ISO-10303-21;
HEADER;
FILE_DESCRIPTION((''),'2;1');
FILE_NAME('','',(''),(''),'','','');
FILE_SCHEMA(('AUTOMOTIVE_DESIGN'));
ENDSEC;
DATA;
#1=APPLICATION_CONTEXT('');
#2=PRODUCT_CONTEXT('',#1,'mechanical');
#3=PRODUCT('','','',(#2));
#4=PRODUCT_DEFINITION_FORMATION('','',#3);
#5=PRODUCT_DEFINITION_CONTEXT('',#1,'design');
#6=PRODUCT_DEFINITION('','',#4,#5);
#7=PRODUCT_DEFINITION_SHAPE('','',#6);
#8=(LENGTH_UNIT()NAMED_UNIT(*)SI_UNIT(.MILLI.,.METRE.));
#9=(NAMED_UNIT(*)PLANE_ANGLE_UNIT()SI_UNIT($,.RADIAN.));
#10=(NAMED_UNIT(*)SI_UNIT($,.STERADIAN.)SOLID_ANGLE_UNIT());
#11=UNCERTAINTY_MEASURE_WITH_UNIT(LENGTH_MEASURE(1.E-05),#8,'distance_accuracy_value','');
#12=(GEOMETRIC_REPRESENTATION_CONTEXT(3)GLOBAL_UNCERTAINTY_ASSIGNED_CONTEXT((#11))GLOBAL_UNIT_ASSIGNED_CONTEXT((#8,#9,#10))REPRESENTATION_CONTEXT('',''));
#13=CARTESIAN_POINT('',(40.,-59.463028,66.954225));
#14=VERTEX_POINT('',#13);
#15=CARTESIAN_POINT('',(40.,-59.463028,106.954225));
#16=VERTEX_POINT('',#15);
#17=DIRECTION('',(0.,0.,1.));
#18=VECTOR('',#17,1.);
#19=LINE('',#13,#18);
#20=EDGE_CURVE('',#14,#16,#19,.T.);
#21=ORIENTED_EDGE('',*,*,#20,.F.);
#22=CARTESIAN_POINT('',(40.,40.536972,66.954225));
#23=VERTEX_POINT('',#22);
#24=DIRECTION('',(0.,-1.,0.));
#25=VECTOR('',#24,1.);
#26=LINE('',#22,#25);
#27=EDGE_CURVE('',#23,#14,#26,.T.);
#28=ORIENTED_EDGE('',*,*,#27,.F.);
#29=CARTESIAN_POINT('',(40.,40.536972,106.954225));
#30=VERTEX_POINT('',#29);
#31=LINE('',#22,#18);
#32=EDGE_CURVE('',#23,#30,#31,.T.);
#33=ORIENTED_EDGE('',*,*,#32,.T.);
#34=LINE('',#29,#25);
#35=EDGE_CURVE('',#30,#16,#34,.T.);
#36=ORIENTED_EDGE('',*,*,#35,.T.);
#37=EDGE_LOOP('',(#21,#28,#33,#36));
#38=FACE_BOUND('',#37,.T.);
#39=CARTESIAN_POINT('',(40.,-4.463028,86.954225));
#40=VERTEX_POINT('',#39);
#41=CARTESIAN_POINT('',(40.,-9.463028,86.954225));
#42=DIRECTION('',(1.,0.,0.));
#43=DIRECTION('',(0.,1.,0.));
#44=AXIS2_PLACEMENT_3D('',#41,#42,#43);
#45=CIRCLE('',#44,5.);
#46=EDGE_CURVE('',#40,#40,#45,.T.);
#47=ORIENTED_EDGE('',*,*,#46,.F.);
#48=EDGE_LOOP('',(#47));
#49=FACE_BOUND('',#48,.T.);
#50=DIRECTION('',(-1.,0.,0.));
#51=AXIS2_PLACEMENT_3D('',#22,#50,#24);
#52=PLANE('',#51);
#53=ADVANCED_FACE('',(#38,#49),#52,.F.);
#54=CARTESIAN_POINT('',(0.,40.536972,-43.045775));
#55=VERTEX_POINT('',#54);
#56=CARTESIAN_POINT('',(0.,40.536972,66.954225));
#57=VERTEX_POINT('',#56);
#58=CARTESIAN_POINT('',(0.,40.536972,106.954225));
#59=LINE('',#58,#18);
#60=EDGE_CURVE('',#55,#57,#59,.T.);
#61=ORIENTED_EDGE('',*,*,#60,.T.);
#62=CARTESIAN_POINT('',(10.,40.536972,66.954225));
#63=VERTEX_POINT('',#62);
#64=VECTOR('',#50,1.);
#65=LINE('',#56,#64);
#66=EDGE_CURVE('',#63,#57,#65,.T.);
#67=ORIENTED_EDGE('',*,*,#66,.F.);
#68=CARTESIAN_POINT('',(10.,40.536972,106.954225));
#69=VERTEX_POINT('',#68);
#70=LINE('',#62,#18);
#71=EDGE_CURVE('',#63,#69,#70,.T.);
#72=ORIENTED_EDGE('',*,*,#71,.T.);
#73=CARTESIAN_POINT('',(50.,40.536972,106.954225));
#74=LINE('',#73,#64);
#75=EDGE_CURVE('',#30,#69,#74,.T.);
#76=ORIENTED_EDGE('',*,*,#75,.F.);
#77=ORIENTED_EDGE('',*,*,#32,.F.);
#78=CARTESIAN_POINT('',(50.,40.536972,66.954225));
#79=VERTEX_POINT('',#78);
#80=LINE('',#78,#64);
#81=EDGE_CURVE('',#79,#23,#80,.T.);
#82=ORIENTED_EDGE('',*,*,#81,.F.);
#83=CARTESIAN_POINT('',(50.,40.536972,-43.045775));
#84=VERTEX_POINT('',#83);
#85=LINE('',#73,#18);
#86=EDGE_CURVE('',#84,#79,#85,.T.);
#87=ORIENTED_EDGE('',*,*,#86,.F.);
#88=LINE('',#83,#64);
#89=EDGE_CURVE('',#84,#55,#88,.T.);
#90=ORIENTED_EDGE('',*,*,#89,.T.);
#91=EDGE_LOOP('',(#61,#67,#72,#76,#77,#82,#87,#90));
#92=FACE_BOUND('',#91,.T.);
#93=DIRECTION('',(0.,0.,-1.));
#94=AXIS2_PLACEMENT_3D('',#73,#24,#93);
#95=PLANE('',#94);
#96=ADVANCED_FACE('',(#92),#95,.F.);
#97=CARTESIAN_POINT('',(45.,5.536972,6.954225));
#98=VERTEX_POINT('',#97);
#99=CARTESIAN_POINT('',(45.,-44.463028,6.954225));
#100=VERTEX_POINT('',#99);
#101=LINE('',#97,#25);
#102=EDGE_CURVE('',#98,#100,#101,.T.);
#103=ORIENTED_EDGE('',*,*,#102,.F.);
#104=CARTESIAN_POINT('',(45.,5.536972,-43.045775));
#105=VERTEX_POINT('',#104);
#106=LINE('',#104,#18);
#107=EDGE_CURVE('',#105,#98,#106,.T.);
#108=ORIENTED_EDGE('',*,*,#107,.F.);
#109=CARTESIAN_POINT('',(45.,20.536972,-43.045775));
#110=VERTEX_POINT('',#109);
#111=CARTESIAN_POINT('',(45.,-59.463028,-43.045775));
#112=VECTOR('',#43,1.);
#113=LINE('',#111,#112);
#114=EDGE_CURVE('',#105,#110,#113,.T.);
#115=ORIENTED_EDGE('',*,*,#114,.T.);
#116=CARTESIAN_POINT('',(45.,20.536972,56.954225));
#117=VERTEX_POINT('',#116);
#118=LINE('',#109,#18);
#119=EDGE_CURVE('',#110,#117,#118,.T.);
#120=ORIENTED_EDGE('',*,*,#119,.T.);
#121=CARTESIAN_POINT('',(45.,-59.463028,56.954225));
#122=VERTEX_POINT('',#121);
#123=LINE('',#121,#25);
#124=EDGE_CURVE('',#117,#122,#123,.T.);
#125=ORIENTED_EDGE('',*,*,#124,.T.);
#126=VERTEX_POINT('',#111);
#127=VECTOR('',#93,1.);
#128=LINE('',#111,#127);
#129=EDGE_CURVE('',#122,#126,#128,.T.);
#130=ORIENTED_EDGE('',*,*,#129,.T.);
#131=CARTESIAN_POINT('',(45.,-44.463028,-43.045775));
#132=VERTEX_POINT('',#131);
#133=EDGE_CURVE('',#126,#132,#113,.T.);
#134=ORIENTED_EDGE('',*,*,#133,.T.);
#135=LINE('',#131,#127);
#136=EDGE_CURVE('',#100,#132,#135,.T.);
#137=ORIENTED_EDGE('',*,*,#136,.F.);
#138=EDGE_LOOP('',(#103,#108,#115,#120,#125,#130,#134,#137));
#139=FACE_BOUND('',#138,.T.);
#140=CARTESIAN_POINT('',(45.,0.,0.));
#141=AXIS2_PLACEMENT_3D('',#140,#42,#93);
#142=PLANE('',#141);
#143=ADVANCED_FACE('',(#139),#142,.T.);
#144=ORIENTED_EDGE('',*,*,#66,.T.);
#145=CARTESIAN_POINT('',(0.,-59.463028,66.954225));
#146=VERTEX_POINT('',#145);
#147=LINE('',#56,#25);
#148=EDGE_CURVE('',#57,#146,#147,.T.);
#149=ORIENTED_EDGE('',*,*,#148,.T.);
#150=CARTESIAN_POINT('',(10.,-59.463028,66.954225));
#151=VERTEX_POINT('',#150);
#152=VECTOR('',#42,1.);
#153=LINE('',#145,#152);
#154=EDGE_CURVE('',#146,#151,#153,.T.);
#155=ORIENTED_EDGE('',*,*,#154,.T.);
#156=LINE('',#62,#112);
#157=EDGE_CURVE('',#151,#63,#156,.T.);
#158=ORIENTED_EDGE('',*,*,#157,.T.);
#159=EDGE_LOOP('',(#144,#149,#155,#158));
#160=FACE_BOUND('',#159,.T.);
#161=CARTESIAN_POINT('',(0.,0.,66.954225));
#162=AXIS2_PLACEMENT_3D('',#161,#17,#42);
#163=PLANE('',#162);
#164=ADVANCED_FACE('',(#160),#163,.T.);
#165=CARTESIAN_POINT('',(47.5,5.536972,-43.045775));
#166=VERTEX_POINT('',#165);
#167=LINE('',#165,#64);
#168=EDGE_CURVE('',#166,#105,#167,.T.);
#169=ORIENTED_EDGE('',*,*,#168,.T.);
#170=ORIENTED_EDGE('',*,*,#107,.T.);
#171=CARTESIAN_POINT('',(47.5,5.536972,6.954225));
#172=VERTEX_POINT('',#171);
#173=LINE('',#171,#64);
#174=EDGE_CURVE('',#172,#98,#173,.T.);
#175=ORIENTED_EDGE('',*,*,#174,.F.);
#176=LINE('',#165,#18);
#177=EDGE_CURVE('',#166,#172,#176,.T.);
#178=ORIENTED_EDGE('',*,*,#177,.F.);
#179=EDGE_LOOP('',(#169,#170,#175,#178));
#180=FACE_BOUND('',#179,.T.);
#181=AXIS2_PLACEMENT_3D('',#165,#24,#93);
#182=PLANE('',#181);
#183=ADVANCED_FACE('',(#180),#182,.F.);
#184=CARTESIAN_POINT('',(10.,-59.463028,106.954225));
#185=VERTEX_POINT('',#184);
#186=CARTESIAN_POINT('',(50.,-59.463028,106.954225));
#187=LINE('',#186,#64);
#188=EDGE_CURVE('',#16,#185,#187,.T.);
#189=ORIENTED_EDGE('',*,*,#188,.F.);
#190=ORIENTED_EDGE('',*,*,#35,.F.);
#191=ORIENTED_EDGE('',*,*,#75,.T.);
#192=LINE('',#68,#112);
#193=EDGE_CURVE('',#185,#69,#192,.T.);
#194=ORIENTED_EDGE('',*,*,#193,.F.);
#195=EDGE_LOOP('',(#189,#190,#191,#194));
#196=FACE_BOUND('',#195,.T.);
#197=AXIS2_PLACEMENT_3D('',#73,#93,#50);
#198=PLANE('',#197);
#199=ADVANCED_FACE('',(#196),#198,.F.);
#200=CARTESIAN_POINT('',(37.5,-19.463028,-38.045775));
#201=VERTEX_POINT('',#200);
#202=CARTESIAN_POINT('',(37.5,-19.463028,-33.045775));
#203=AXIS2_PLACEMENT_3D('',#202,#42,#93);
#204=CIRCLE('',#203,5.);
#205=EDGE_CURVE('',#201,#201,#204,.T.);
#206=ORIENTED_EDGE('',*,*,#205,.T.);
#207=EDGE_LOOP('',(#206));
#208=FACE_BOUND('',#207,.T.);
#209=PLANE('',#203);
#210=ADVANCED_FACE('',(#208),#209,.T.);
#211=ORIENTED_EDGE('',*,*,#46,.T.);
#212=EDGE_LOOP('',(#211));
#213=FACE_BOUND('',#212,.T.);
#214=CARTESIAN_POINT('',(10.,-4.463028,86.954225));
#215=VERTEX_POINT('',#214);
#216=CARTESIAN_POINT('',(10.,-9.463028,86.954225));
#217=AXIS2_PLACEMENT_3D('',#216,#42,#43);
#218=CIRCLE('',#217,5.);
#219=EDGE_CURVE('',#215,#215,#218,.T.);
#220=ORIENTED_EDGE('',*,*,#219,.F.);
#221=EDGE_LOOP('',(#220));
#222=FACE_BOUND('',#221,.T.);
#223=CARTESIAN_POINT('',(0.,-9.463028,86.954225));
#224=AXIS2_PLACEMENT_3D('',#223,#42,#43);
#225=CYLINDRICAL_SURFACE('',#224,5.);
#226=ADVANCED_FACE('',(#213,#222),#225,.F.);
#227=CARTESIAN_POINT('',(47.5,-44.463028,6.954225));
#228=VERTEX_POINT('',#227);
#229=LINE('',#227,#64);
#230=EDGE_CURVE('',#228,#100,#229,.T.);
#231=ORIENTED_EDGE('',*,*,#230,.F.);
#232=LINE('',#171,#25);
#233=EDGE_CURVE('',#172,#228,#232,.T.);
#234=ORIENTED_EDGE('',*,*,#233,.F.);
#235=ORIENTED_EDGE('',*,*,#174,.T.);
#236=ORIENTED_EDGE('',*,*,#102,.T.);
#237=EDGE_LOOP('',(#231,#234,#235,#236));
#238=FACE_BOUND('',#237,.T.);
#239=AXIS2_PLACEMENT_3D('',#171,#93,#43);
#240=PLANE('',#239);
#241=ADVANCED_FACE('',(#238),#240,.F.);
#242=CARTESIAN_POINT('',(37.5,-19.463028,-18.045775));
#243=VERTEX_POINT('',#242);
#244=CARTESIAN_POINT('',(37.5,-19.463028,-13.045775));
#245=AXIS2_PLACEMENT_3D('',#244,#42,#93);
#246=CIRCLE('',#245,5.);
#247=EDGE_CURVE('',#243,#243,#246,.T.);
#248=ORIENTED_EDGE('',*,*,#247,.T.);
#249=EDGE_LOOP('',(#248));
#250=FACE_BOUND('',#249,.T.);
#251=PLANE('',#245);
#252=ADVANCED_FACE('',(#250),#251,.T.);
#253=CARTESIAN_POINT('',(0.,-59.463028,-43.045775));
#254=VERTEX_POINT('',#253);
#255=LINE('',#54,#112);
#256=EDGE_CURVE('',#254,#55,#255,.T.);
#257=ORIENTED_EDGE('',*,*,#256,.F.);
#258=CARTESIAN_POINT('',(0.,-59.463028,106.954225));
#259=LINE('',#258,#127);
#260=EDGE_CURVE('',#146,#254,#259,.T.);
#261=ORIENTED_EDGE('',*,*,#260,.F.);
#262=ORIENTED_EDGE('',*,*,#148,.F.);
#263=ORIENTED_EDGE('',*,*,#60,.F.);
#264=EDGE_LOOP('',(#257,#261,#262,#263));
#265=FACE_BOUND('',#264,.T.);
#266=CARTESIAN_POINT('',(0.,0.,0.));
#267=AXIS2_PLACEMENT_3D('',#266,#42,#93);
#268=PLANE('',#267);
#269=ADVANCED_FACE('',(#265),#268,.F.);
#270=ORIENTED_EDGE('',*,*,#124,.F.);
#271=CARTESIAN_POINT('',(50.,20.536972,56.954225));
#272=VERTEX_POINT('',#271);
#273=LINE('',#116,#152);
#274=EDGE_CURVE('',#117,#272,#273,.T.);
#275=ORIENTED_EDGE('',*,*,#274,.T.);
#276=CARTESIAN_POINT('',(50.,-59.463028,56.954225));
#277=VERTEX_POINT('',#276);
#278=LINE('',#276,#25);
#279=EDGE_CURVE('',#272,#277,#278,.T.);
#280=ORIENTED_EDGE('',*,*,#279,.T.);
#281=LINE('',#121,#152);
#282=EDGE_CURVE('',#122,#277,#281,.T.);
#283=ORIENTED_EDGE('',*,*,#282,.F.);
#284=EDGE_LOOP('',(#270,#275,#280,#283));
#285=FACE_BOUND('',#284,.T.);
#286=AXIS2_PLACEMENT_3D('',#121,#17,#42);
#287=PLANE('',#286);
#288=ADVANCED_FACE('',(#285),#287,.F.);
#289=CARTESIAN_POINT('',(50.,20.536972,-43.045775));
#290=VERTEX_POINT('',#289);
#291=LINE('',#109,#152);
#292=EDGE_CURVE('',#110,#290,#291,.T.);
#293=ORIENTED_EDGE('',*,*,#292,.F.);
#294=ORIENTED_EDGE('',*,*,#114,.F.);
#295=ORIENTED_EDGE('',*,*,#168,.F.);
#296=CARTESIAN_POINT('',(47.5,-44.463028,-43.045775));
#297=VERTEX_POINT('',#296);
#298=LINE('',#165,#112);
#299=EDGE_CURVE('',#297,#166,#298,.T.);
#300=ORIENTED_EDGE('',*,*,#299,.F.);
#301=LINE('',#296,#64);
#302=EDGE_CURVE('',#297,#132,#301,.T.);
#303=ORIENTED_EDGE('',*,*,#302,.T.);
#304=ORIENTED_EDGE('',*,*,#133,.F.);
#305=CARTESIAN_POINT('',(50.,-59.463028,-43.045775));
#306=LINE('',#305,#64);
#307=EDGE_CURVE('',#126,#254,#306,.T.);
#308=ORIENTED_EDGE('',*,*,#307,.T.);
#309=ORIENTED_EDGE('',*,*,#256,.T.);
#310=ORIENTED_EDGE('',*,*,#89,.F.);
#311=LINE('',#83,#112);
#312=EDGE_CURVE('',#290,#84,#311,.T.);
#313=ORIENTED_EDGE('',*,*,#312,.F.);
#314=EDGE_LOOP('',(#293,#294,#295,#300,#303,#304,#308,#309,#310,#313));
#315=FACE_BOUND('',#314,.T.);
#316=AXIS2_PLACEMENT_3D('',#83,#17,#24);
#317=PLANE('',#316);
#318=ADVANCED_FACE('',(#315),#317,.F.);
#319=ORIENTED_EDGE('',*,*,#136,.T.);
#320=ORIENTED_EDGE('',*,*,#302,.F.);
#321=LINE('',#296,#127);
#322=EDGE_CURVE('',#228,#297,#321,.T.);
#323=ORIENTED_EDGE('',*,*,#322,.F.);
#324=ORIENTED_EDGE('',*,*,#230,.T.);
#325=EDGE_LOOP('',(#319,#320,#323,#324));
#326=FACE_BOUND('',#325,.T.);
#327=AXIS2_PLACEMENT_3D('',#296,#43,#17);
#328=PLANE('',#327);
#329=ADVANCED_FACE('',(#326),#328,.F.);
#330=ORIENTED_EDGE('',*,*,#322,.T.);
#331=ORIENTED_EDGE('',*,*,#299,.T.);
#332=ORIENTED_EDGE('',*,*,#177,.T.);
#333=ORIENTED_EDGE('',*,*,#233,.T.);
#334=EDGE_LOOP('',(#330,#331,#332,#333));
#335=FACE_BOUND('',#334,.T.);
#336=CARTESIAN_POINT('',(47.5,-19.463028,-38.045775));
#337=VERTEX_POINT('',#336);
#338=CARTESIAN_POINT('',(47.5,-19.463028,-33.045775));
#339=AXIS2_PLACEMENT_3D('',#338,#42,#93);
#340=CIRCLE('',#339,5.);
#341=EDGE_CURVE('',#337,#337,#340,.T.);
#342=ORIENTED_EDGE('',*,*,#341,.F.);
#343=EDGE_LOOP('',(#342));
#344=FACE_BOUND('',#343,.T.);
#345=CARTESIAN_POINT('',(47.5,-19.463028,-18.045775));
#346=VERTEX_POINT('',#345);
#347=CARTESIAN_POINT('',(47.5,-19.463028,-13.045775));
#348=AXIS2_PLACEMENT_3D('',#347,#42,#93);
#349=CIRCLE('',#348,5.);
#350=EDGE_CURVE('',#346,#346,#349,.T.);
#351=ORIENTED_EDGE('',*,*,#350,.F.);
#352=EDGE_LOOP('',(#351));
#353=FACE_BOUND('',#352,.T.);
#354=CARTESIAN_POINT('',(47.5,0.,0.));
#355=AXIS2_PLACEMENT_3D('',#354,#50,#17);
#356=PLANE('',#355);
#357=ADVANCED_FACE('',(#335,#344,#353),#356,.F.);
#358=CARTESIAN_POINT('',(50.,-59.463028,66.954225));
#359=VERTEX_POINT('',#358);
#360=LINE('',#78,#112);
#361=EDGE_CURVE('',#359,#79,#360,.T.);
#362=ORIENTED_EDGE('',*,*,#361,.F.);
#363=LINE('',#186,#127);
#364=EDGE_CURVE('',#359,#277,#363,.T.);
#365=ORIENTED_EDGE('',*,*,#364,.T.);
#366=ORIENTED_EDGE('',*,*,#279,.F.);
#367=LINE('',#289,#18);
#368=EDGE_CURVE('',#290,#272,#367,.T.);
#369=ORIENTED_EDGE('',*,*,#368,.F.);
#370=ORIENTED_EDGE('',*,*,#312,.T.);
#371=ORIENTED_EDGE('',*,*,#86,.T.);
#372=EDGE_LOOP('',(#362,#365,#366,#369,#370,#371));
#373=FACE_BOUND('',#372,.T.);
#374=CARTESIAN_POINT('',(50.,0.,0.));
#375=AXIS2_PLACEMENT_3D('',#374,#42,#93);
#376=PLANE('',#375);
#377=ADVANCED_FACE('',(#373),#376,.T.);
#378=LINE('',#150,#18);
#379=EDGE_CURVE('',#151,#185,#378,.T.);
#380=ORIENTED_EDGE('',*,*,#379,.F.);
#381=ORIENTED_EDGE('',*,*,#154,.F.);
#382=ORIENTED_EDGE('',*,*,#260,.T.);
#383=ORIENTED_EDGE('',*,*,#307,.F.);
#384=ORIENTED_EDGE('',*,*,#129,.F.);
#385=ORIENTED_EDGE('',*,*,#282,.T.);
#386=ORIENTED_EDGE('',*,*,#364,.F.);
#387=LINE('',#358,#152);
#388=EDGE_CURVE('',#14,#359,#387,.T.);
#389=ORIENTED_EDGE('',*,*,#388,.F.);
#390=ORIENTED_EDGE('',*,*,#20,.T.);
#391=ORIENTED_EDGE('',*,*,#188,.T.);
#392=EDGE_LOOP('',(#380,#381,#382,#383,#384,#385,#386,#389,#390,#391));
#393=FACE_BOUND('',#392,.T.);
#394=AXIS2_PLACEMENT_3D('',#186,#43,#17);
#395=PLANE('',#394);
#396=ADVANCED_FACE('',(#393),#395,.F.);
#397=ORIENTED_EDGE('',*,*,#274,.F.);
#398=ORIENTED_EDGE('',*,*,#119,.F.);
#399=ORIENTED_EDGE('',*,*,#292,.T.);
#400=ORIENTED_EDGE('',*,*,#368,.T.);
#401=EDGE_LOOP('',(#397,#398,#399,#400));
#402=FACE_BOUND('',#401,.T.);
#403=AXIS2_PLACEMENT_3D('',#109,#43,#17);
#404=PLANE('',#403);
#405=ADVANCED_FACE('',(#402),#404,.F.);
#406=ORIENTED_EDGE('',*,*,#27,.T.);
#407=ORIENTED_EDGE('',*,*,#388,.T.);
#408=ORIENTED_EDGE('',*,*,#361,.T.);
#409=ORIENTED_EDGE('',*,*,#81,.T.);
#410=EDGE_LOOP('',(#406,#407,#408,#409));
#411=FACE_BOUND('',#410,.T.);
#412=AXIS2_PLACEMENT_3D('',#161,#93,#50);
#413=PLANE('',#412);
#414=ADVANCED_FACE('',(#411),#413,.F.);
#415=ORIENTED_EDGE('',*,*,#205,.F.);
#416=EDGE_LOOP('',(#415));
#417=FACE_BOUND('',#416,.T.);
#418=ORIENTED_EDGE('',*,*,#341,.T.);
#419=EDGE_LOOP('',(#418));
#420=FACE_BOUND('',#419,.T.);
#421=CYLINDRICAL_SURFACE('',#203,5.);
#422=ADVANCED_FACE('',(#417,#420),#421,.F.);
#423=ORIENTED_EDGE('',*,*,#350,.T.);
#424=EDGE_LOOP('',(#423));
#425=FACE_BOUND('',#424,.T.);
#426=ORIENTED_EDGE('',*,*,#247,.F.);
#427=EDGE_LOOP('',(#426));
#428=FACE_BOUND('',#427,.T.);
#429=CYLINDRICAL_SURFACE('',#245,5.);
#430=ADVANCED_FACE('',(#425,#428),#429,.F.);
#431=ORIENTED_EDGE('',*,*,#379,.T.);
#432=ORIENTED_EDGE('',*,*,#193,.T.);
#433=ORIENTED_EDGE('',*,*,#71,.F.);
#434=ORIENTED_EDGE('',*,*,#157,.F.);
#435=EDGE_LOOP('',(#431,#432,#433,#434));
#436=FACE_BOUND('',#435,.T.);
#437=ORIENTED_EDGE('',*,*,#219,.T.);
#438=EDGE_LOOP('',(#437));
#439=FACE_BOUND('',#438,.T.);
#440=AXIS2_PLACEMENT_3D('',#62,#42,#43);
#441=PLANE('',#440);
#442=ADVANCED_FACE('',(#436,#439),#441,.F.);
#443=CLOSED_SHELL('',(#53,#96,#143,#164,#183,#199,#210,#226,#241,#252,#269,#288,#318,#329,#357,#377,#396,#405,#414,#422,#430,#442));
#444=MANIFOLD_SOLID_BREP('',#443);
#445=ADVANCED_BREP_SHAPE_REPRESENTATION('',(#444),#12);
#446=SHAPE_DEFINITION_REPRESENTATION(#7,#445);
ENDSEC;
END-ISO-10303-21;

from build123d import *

# Parameters (mm, degrees)
SKIZZE1_W                       = 150
SKIZZE1_H                       = 100
AUFSATZ_LINEAR_AUSTRAGEN1_DEPTH = 50
SKIZZE2_W                       = 100
SKIZZE2_H                       = 80
SCHNITT_LINEAR_AUSTRAGEN1_DEPTH = 5
SKIZZE3_W                       = 50
SKIZZE3_H                       = 50
AUFSATZ_LINEAR_AUSTRAGEN2_DEPTH = 2.5
SKIZZE4_R                       = 5
SCHNITT_LINEAR_AUSTRAGEN2_DEPTH = 10
SKIZZE5_W                       = 10
SKIZZE5_H                       = 100
SCHNITT_LINEAR_AUSTRAGEN3_DEPTH = 40
SKIZZE6_R                       = 5
SCHNITT_LINEAR_AUSTRAGEN4_DEPTH = 40


with BuildPart() as part:
    # Skizze1 → Aufsatz-Linear austragen1 (new body)
    with BuildSketch(Plane(origin=(0, 0, 0), x_dir=(0, 0, -1), z_dir=(1, 0, 0))):
        with Locations((-31.954225352, -9.463028169)):
            Rectangle(SKIZZE1_W, SKIZZE1_H)
    extrude(amount=AUFSATZ_LINEAR_AUSTRAGEN1_DEPTH)

    # Skizze2 → Schnitt-Linear austragen1 (cut)
    with BuildSketch(Plane(origin=(50, 0, 0), x_dir=(0, 0, -1), z_dir=(1, 0, 0))):
        with Locations((-6.954225352, -19.463028169)):
            Rectangle(SKIZZE2_W, SKIZZE2_H)
    extrude(amount=-SCHNITT_LINEAR_AUSTRAGEN1_DEPTH, mode=Mode.SUBTRACT)

    # Skizze3 → Aufsatz-Linear austragen2 (add)
    with BuildSketch(Plane(origin=(45, 0, 0), x_dir=(0, 0, -1), z_dir=(1, 0, 0))):
        with Locations((18.045774648, -19.463028169)):
            Rectangle(SKIZZE3_W, SKIZZE3_H)
    extrude(amount=AUFSATZ_LINEAR_AUSTRAGEN2_DEPTH)

    # Skizze4 → Schnitt-Linear austragen2 (cut)
    with BuildSketch(Plane(origin=(47.5, 0, 0), x_dir=(0, 0, -1), z_dir=(1, 0, 0))):
        with Locations((33.045774648, -19.463028169)):
            Circle(SKIZZE4_R)
        with Locations((13.045774648, -19.463028169)):
            Circle(SKIZZE4_R)
    extrude(amount=-SCHNITT_LINEAR_AUSTRAGEN2_DEPTH, mode=Mode.SUBTRACT)

    # Skizze5 → Schnitt-Linear austragen3 (cut)
    with BuildSketch(Plane.XY.offset(106.954225352)):
        with Locations((5, -9.463028169)):
            Rectangle(SKIZZE5_W, SKIZZE5_H)
        with Locations((45, -9.463028169)):
            Rectangle(SKIZZE5_W, SKIZZE5_H)
    extrude(amount=-SCHNITT_LINEAR_AUSTRAGEN3_DEPTH, mode=Mode.SUBTRACT)

    # Skizze6 → Schnitt-Linear austragen4 (cut)
    with BuildSketch(Plane(origin=(40, 0, 0), x_dir=(0, 0, -1), z_dir=(1, 0, 0))):
        with Locations(Location((-86.954225352, -9.463028169, 0), (0, 0, 90))):
            Circle(SKIZZE6_R)
    extrude(amount=-SCHNITT_LINEAR_AUSTRAGEN4_DEPTH, mode=Mode.SUBTRACT)


solid = part.part
